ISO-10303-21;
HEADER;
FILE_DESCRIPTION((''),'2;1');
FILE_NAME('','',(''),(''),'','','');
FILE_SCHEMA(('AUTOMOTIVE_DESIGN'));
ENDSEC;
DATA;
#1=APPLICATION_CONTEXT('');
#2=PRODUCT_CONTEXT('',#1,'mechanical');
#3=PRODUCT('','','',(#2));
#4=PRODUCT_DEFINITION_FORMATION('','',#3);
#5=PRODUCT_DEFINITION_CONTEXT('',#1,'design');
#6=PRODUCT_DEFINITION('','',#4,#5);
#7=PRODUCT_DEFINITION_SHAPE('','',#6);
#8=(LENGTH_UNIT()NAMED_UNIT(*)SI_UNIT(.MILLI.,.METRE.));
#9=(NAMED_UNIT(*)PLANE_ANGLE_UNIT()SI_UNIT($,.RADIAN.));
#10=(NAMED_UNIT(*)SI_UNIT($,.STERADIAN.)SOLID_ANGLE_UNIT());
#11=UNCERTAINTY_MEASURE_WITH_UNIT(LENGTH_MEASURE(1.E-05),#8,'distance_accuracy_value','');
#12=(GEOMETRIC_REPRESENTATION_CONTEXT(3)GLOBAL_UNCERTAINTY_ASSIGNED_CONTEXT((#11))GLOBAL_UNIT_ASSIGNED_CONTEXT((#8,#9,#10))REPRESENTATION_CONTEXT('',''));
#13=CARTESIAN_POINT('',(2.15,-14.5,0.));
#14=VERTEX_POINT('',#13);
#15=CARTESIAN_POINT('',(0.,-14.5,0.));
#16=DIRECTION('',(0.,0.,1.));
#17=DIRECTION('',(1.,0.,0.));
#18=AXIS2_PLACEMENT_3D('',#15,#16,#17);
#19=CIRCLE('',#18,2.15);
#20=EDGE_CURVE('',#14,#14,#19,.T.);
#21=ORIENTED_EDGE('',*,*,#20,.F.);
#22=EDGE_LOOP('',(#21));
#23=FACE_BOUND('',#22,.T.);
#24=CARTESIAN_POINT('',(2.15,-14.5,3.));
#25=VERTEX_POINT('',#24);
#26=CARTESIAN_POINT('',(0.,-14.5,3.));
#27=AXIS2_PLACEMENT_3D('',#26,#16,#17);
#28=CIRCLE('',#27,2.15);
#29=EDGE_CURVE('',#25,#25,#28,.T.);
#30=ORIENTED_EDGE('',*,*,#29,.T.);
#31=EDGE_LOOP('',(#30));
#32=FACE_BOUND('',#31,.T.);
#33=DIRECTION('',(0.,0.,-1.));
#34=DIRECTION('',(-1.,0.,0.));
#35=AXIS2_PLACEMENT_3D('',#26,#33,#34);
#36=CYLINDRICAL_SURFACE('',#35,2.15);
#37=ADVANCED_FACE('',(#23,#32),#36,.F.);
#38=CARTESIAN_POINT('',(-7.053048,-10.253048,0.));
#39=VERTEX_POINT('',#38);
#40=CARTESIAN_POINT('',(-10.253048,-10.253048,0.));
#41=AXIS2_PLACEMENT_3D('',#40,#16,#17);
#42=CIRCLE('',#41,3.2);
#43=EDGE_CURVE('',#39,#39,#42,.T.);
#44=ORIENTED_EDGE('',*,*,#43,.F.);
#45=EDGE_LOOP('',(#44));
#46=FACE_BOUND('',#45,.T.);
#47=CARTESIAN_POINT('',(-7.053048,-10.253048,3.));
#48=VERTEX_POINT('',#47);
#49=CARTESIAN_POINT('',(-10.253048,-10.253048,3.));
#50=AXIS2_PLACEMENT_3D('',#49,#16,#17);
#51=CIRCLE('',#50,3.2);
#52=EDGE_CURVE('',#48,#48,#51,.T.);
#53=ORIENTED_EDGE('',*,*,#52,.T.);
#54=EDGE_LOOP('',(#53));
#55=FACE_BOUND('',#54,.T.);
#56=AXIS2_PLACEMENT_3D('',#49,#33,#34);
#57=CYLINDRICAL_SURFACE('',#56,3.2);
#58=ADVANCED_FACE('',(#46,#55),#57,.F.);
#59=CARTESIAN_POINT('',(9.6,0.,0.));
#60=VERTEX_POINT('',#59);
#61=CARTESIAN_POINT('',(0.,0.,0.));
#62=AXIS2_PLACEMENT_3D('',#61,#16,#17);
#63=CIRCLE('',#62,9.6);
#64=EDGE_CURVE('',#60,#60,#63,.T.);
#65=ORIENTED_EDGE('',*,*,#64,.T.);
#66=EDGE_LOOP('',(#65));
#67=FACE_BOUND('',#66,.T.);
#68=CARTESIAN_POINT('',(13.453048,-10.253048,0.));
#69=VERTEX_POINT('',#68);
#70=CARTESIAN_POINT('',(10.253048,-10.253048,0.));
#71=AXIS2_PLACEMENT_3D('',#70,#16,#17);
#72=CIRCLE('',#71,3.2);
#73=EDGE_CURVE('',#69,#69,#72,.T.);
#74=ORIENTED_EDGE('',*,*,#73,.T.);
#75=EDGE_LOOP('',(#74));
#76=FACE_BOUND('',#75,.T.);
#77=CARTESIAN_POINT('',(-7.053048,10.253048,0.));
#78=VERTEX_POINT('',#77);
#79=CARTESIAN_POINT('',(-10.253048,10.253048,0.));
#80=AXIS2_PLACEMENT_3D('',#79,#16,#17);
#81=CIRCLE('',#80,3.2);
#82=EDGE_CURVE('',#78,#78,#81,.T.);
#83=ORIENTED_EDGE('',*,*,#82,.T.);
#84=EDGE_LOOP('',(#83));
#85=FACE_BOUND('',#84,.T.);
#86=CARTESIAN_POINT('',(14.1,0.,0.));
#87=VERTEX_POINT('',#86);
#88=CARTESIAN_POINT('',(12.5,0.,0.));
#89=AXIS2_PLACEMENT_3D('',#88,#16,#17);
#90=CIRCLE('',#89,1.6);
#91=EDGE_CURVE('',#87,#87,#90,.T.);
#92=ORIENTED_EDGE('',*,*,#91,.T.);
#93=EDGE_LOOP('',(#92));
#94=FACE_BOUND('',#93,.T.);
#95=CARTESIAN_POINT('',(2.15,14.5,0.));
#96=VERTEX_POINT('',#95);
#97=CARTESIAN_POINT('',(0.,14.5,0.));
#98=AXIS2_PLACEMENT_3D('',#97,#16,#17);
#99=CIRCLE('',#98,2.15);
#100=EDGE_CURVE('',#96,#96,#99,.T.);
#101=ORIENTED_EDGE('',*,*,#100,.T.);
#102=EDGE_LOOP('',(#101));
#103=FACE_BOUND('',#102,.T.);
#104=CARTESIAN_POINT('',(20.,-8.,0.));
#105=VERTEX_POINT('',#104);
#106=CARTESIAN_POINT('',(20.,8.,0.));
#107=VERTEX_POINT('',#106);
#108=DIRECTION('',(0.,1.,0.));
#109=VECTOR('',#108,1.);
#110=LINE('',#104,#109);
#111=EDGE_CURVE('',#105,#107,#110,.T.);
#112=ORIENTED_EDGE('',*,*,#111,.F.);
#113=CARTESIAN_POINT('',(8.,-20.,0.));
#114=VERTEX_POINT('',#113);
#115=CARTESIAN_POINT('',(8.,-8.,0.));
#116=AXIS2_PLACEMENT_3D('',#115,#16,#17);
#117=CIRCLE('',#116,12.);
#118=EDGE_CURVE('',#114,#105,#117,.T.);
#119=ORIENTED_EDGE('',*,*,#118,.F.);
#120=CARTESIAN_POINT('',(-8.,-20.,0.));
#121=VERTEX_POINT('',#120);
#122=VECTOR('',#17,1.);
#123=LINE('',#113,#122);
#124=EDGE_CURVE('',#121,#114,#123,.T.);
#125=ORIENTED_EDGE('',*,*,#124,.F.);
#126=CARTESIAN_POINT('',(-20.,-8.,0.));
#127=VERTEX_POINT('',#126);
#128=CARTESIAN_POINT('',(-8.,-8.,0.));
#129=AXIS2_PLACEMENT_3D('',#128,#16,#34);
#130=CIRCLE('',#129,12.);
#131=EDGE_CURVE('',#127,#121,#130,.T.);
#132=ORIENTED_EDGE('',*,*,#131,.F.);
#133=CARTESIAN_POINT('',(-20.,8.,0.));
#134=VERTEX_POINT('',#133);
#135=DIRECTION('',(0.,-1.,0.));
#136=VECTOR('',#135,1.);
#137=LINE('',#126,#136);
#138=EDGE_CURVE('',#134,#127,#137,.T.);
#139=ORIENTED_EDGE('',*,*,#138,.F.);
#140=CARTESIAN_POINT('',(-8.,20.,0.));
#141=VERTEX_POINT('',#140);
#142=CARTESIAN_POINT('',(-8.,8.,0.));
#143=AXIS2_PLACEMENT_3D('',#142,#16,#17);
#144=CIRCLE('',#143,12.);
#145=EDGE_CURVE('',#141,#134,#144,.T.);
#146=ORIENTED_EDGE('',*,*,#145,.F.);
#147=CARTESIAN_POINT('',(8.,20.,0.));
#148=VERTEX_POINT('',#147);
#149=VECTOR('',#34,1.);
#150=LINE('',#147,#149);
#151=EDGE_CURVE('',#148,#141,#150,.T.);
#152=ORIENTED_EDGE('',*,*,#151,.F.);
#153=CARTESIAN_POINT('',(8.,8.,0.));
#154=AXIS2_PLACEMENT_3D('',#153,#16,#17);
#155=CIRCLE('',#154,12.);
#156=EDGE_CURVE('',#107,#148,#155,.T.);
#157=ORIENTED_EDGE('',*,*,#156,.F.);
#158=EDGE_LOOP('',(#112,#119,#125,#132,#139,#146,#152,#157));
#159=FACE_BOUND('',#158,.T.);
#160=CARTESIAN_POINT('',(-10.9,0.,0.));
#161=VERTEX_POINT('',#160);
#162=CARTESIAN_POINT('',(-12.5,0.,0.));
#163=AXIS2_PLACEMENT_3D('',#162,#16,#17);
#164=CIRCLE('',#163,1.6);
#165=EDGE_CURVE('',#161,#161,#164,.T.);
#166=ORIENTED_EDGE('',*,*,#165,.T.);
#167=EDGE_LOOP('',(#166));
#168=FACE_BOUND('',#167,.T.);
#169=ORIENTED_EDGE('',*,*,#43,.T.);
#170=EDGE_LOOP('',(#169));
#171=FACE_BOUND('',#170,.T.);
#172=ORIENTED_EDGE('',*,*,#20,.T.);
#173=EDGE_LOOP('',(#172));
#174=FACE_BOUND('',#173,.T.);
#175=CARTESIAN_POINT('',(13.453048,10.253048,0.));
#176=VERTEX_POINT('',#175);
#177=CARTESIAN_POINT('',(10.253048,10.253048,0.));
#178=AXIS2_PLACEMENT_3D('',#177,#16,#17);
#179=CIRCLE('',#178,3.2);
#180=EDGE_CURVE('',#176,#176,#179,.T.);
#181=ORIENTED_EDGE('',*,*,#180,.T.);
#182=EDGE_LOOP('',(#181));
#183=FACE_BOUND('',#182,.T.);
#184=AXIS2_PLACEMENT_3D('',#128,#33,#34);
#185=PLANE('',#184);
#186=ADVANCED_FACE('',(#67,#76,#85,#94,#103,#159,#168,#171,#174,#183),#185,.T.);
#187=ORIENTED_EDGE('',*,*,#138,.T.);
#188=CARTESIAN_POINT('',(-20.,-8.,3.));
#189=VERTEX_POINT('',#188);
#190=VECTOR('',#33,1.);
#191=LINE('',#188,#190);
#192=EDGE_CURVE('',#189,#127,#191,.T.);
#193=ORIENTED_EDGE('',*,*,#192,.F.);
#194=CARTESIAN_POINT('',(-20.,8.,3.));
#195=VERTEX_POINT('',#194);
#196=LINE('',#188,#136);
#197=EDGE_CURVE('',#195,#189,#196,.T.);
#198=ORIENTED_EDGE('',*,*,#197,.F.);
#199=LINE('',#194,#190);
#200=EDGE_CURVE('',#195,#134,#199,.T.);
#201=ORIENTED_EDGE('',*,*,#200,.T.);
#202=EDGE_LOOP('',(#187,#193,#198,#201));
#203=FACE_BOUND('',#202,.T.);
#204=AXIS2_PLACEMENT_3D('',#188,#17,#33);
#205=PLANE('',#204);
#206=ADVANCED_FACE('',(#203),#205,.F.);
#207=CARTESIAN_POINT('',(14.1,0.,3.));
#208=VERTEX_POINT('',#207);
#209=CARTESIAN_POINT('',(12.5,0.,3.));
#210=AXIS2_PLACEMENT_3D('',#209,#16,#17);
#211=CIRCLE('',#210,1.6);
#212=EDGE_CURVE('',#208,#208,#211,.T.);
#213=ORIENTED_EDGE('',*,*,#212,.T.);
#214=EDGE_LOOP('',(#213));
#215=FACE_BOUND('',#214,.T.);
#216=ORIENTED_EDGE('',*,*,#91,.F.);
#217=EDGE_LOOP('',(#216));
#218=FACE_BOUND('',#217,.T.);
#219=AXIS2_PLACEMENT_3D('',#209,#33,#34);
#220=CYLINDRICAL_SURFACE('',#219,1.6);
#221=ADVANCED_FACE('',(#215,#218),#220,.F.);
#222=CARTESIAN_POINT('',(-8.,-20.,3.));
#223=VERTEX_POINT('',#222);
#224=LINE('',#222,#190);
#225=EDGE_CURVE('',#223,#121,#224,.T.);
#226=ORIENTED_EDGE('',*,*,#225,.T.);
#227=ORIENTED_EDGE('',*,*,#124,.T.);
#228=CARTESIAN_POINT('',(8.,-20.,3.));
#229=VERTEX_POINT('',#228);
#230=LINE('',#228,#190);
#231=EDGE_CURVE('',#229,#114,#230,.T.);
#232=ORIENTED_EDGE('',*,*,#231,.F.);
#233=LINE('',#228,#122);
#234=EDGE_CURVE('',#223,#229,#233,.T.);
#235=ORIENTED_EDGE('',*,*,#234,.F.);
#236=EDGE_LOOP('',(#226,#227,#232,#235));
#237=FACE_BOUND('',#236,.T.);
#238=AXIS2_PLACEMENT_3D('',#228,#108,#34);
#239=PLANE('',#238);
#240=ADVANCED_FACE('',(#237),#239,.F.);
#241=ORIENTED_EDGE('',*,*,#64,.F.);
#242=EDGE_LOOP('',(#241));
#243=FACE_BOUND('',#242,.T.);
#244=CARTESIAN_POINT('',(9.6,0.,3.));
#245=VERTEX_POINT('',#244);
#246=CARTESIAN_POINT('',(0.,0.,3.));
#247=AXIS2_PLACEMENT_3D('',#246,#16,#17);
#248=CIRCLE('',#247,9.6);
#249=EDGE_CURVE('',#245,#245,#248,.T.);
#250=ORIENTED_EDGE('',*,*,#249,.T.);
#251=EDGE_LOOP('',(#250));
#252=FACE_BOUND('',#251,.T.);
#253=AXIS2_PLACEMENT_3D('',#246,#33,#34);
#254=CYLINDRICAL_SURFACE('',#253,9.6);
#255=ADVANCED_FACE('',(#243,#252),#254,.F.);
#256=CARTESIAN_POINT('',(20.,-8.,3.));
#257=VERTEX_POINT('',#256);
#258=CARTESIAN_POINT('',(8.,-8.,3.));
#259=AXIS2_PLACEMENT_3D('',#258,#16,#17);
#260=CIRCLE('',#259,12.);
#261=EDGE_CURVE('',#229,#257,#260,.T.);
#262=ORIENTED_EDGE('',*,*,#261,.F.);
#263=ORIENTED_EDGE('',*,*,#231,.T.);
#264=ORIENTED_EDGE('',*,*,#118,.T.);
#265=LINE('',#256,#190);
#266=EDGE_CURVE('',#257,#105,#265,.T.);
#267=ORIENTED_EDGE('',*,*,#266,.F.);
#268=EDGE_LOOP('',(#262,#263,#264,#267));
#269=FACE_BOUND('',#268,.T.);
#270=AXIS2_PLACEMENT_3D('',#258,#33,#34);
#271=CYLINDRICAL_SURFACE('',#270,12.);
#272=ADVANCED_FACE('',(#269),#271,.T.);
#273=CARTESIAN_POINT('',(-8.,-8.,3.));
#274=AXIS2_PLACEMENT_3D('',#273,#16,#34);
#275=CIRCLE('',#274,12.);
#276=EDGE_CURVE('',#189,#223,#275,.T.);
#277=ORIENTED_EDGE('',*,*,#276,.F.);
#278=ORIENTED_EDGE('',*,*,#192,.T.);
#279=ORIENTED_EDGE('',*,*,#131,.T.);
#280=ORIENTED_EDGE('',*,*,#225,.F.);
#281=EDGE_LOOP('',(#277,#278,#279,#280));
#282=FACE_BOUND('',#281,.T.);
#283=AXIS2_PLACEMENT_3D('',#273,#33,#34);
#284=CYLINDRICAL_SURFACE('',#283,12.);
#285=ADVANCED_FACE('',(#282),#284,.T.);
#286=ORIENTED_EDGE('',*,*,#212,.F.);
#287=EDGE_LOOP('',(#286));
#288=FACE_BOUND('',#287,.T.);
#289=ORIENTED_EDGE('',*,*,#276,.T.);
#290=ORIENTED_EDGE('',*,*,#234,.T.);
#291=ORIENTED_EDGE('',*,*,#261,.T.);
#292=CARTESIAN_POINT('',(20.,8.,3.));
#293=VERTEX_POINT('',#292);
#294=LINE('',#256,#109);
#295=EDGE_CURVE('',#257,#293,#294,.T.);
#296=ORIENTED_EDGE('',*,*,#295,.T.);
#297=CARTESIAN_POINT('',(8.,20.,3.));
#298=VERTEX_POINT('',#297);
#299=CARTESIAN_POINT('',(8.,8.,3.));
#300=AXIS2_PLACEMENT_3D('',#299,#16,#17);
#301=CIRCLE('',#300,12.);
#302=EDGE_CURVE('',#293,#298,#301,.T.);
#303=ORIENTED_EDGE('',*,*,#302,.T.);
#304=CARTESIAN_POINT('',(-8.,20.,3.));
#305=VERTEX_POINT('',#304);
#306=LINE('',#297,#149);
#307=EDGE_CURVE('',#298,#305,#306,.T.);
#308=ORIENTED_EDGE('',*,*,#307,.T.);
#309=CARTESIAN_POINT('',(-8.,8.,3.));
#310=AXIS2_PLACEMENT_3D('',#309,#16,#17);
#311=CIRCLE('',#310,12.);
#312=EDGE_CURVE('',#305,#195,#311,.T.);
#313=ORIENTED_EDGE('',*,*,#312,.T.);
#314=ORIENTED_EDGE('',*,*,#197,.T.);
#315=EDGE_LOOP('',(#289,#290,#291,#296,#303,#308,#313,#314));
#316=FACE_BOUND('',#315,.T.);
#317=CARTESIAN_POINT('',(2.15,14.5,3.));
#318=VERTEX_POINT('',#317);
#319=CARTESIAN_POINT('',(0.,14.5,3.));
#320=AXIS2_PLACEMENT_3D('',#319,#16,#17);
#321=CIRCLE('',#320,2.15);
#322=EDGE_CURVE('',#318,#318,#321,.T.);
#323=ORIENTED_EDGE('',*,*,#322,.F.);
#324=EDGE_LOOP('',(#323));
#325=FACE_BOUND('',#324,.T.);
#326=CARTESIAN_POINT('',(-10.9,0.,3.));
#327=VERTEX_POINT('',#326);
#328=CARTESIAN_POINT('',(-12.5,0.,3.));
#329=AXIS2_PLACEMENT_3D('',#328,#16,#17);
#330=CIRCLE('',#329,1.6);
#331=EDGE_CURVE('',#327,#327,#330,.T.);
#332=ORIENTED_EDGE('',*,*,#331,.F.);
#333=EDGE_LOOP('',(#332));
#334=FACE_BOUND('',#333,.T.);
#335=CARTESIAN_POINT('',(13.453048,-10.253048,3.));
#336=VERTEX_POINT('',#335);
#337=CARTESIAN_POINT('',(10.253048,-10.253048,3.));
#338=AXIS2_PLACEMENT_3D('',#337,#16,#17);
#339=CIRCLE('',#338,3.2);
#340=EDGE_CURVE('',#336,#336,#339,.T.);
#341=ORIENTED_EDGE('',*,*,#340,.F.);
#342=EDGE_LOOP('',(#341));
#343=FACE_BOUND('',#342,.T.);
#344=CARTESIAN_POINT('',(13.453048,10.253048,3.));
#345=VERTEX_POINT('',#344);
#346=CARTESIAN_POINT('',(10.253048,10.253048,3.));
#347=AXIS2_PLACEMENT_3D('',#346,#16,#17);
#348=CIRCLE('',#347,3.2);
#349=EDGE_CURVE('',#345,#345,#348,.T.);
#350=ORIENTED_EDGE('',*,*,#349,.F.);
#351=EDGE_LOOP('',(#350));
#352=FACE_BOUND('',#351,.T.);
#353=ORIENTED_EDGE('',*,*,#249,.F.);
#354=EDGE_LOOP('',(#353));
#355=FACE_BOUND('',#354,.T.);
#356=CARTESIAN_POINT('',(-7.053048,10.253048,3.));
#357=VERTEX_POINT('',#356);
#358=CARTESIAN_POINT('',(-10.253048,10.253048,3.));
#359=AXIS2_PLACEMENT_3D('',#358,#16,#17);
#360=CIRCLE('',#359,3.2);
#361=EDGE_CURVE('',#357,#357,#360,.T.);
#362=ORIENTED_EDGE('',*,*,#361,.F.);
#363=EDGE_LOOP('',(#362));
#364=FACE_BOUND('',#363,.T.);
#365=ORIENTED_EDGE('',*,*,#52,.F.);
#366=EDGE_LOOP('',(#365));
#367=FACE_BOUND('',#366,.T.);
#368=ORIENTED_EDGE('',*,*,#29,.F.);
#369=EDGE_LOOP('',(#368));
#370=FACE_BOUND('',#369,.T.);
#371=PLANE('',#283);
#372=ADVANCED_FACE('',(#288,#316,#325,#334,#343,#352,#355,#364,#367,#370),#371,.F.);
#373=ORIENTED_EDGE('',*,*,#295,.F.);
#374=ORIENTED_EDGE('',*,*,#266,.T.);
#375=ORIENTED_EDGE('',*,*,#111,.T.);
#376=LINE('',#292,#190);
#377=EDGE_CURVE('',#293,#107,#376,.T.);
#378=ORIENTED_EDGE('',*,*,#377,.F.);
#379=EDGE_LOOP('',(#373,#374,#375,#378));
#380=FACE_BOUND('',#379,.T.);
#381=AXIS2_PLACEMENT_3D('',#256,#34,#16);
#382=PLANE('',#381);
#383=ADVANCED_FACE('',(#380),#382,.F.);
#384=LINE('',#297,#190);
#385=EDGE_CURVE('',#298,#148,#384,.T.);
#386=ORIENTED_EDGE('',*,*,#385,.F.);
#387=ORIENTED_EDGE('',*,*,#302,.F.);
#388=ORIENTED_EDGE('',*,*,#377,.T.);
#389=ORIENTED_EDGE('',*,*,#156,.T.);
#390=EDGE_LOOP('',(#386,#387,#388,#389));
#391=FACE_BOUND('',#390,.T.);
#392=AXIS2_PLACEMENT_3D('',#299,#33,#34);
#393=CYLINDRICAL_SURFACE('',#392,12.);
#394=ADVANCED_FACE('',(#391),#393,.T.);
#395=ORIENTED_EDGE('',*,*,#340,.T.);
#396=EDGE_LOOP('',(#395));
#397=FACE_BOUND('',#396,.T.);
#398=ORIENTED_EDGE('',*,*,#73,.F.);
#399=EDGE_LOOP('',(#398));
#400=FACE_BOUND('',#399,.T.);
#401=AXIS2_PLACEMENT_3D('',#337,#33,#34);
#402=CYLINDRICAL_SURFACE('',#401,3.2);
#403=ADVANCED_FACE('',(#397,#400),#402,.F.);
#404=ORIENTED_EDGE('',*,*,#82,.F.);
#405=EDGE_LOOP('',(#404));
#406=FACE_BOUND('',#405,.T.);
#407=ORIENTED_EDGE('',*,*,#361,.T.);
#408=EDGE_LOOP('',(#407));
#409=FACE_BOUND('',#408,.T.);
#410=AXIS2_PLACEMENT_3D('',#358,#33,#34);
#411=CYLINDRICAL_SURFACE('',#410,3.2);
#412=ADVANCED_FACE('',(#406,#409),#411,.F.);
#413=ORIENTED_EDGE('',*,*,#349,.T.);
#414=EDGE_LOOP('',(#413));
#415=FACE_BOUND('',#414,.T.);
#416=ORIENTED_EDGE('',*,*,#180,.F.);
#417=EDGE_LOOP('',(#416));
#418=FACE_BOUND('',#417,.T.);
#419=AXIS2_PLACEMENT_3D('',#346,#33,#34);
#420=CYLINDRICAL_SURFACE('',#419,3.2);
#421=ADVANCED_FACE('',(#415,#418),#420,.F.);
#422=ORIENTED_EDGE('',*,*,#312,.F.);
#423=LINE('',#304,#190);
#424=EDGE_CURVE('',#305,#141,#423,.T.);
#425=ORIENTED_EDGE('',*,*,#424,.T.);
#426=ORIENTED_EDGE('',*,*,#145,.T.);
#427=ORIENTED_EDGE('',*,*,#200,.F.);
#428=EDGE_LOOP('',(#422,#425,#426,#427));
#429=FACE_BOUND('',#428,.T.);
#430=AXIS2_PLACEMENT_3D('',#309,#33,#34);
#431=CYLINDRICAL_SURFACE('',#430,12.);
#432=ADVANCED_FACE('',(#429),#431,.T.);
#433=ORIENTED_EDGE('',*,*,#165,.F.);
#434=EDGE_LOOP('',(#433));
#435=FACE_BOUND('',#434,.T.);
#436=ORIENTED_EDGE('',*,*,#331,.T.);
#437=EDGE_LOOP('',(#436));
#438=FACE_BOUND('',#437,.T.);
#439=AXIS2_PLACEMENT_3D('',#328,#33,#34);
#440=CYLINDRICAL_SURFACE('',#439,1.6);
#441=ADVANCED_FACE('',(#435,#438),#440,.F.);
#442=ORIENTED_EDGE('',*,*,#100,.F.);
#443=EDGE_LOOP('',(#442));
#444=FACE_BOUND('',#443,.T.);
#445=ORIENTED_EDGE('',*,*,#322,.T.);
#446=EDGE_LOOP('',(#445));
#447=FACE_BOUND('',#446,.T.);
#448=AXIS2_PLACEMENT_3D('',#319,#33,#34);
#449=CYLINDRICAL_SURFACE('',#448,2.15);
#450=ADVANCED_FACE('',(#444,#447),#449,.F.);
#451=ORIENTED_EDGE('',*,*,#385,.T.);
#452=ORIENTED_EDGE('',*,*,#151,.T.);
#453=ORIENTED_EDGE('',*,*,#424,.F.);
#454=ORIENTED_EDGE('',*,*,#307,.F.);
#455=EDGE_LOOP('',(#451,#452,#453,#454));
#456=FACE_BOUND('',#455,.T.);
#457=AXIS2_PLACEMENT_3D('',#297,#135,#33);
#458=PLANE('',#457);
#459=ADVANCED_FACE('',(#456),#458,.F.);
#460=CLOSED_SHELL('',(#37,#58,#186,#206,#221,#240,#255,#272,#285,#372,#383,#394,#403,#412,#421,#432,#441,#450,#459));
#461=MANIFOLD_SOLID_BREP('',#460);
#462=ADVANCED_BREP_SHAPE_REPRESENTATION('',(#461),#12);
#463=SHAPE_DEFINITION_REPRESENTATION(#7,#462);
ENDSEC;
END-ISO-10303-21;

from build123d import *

# Parameters (mm, degrees)
SKETCH1_R           = 9.6
SKETCH1_R_2         = 2.15
SKETCH1_R_3         = 1.6
SKETCH1_R_4         = 3.2
BOSS_EXTRUDE1_DEPTH = 3


with BuildPart() as part:
    # Sketch1 → Boss-Extrude1 (new body)
    with BuildSketch(Plane.XY):
        with BuildLine():
            Line((8, -20), (-8, -20))
            ThreePointArc((-8, -20), (-16.485281374, -16.485281374), (-20, -8))
            Line((-20, -8), (-20, 8))
            ThreePointArc((-20, 8), (-16.485281374, 16.485281374), (-8, 20))
            Line((-8, 20), (8, 20))
            ThreePointArc((8, 20), (16.485281374, 16.485281374), (20, 8))
            Line((20, 8), (20, -8))
            ThreePointArc((20, -8), (16.485281374, -16.485281374), (8, -20))
        make_face()
        Circle(SKETCH1_R, mode=Mode.SUBTRACT)
        with Locations((0, 14.5)):
            Circle(SKETCH1_R_2, mode=Mode.SUBTRACT)
        with Locations((-12.5, 0)):
            Circle(SKETCH1_R_3, mode=Mode.SUBTRACT)
        with Locations((12.5, 0)):
            Circle(SKETCH1_R_3, mode=Mode.SUBTRACT)
        with Locations((0, -14.5)):
            Circle(SKETCH1_R_2, mode=Mode.SUBTRACT)
        with Locations((10.253048327, 10.253048327)):
            Circle(SKETCH1_R_4, mode=Mode.SUBTRACT)
        with Locations((10.253048327, -10.253048327)):
            Circle(SKETCH1_R_4, mode=Mode.SUBTRACT)
        with Locations((-10.253048327, -10.253048327)):
            Circle(SKETCH1_R_4, mode=Mode.SUBTRACT)
        with Locations((-10.253048327, 10.253048327)):
            Circle(SKETCH1_R_4, mode=Mode.SUBTRACT)
    extrude(amount=BOSS_EXTRUDE1_DEPTH)


solid = part.part
